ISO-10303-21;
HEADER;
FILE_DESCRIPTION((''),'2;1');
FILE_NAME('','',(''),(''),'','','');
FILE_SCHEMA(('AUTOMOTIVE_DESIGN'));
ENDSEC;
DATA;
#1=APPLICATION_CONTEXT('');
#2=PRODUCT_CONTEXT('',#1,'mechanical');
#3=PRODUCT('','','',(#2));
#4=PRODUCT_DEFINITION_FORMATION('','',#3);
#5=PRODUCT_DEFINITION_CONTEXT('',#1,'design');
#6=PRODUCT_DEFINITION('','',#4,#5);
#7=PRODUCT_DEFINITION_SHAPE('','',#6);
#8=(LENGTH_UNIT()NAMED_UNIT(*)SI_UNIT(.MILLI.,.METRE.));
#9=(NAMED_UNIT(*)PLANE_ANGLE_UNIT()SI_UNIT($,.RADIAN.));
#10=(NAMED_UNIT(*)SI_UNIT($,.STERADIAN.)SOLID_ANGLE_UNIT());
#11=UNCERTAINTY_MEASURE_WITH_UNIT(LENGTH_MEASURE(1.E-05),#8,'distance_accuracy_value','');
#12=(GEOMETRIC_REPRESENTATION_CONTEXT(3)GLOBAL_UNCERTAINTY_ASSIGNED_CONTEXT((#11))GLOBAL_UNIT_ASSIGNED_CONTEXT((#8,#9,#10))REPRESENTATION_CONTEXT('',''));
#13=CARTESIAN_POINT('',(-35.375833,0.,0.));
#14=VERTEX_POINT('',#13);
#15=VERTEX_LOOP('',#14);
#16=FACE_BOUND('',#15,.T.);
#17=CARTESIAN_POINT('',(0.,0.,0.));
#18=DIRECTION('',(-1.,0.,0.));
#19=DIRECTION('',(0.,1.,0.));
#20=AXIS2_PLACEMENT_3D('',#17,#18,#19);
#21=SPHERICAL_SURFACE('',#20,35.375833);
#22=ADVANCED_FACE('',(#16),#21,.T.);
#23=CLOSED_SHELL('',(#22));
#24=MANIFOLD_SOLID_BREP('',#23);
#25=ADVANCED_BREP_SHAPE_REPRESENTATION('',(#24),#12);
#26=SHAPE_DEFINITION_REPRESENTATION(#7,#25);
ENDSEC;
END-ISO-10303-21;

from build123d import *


with BuildPart() as f1:
    # F0 (on Top) → F1 (revolve)
    with BuildSketch(Plane.XY):
        with BuildLine():
            Line((0, 0), (35.375833, 0))
            ThreePointArc((35.375833, 0), (0, 35.375833), (-35.375833, 0))
            Line((-35.375833, 0), (0, 0))
        make_face()
    revolve(axis=Axis((0, 0, 0), (-1, 0, 0)))


solid = f1.part
